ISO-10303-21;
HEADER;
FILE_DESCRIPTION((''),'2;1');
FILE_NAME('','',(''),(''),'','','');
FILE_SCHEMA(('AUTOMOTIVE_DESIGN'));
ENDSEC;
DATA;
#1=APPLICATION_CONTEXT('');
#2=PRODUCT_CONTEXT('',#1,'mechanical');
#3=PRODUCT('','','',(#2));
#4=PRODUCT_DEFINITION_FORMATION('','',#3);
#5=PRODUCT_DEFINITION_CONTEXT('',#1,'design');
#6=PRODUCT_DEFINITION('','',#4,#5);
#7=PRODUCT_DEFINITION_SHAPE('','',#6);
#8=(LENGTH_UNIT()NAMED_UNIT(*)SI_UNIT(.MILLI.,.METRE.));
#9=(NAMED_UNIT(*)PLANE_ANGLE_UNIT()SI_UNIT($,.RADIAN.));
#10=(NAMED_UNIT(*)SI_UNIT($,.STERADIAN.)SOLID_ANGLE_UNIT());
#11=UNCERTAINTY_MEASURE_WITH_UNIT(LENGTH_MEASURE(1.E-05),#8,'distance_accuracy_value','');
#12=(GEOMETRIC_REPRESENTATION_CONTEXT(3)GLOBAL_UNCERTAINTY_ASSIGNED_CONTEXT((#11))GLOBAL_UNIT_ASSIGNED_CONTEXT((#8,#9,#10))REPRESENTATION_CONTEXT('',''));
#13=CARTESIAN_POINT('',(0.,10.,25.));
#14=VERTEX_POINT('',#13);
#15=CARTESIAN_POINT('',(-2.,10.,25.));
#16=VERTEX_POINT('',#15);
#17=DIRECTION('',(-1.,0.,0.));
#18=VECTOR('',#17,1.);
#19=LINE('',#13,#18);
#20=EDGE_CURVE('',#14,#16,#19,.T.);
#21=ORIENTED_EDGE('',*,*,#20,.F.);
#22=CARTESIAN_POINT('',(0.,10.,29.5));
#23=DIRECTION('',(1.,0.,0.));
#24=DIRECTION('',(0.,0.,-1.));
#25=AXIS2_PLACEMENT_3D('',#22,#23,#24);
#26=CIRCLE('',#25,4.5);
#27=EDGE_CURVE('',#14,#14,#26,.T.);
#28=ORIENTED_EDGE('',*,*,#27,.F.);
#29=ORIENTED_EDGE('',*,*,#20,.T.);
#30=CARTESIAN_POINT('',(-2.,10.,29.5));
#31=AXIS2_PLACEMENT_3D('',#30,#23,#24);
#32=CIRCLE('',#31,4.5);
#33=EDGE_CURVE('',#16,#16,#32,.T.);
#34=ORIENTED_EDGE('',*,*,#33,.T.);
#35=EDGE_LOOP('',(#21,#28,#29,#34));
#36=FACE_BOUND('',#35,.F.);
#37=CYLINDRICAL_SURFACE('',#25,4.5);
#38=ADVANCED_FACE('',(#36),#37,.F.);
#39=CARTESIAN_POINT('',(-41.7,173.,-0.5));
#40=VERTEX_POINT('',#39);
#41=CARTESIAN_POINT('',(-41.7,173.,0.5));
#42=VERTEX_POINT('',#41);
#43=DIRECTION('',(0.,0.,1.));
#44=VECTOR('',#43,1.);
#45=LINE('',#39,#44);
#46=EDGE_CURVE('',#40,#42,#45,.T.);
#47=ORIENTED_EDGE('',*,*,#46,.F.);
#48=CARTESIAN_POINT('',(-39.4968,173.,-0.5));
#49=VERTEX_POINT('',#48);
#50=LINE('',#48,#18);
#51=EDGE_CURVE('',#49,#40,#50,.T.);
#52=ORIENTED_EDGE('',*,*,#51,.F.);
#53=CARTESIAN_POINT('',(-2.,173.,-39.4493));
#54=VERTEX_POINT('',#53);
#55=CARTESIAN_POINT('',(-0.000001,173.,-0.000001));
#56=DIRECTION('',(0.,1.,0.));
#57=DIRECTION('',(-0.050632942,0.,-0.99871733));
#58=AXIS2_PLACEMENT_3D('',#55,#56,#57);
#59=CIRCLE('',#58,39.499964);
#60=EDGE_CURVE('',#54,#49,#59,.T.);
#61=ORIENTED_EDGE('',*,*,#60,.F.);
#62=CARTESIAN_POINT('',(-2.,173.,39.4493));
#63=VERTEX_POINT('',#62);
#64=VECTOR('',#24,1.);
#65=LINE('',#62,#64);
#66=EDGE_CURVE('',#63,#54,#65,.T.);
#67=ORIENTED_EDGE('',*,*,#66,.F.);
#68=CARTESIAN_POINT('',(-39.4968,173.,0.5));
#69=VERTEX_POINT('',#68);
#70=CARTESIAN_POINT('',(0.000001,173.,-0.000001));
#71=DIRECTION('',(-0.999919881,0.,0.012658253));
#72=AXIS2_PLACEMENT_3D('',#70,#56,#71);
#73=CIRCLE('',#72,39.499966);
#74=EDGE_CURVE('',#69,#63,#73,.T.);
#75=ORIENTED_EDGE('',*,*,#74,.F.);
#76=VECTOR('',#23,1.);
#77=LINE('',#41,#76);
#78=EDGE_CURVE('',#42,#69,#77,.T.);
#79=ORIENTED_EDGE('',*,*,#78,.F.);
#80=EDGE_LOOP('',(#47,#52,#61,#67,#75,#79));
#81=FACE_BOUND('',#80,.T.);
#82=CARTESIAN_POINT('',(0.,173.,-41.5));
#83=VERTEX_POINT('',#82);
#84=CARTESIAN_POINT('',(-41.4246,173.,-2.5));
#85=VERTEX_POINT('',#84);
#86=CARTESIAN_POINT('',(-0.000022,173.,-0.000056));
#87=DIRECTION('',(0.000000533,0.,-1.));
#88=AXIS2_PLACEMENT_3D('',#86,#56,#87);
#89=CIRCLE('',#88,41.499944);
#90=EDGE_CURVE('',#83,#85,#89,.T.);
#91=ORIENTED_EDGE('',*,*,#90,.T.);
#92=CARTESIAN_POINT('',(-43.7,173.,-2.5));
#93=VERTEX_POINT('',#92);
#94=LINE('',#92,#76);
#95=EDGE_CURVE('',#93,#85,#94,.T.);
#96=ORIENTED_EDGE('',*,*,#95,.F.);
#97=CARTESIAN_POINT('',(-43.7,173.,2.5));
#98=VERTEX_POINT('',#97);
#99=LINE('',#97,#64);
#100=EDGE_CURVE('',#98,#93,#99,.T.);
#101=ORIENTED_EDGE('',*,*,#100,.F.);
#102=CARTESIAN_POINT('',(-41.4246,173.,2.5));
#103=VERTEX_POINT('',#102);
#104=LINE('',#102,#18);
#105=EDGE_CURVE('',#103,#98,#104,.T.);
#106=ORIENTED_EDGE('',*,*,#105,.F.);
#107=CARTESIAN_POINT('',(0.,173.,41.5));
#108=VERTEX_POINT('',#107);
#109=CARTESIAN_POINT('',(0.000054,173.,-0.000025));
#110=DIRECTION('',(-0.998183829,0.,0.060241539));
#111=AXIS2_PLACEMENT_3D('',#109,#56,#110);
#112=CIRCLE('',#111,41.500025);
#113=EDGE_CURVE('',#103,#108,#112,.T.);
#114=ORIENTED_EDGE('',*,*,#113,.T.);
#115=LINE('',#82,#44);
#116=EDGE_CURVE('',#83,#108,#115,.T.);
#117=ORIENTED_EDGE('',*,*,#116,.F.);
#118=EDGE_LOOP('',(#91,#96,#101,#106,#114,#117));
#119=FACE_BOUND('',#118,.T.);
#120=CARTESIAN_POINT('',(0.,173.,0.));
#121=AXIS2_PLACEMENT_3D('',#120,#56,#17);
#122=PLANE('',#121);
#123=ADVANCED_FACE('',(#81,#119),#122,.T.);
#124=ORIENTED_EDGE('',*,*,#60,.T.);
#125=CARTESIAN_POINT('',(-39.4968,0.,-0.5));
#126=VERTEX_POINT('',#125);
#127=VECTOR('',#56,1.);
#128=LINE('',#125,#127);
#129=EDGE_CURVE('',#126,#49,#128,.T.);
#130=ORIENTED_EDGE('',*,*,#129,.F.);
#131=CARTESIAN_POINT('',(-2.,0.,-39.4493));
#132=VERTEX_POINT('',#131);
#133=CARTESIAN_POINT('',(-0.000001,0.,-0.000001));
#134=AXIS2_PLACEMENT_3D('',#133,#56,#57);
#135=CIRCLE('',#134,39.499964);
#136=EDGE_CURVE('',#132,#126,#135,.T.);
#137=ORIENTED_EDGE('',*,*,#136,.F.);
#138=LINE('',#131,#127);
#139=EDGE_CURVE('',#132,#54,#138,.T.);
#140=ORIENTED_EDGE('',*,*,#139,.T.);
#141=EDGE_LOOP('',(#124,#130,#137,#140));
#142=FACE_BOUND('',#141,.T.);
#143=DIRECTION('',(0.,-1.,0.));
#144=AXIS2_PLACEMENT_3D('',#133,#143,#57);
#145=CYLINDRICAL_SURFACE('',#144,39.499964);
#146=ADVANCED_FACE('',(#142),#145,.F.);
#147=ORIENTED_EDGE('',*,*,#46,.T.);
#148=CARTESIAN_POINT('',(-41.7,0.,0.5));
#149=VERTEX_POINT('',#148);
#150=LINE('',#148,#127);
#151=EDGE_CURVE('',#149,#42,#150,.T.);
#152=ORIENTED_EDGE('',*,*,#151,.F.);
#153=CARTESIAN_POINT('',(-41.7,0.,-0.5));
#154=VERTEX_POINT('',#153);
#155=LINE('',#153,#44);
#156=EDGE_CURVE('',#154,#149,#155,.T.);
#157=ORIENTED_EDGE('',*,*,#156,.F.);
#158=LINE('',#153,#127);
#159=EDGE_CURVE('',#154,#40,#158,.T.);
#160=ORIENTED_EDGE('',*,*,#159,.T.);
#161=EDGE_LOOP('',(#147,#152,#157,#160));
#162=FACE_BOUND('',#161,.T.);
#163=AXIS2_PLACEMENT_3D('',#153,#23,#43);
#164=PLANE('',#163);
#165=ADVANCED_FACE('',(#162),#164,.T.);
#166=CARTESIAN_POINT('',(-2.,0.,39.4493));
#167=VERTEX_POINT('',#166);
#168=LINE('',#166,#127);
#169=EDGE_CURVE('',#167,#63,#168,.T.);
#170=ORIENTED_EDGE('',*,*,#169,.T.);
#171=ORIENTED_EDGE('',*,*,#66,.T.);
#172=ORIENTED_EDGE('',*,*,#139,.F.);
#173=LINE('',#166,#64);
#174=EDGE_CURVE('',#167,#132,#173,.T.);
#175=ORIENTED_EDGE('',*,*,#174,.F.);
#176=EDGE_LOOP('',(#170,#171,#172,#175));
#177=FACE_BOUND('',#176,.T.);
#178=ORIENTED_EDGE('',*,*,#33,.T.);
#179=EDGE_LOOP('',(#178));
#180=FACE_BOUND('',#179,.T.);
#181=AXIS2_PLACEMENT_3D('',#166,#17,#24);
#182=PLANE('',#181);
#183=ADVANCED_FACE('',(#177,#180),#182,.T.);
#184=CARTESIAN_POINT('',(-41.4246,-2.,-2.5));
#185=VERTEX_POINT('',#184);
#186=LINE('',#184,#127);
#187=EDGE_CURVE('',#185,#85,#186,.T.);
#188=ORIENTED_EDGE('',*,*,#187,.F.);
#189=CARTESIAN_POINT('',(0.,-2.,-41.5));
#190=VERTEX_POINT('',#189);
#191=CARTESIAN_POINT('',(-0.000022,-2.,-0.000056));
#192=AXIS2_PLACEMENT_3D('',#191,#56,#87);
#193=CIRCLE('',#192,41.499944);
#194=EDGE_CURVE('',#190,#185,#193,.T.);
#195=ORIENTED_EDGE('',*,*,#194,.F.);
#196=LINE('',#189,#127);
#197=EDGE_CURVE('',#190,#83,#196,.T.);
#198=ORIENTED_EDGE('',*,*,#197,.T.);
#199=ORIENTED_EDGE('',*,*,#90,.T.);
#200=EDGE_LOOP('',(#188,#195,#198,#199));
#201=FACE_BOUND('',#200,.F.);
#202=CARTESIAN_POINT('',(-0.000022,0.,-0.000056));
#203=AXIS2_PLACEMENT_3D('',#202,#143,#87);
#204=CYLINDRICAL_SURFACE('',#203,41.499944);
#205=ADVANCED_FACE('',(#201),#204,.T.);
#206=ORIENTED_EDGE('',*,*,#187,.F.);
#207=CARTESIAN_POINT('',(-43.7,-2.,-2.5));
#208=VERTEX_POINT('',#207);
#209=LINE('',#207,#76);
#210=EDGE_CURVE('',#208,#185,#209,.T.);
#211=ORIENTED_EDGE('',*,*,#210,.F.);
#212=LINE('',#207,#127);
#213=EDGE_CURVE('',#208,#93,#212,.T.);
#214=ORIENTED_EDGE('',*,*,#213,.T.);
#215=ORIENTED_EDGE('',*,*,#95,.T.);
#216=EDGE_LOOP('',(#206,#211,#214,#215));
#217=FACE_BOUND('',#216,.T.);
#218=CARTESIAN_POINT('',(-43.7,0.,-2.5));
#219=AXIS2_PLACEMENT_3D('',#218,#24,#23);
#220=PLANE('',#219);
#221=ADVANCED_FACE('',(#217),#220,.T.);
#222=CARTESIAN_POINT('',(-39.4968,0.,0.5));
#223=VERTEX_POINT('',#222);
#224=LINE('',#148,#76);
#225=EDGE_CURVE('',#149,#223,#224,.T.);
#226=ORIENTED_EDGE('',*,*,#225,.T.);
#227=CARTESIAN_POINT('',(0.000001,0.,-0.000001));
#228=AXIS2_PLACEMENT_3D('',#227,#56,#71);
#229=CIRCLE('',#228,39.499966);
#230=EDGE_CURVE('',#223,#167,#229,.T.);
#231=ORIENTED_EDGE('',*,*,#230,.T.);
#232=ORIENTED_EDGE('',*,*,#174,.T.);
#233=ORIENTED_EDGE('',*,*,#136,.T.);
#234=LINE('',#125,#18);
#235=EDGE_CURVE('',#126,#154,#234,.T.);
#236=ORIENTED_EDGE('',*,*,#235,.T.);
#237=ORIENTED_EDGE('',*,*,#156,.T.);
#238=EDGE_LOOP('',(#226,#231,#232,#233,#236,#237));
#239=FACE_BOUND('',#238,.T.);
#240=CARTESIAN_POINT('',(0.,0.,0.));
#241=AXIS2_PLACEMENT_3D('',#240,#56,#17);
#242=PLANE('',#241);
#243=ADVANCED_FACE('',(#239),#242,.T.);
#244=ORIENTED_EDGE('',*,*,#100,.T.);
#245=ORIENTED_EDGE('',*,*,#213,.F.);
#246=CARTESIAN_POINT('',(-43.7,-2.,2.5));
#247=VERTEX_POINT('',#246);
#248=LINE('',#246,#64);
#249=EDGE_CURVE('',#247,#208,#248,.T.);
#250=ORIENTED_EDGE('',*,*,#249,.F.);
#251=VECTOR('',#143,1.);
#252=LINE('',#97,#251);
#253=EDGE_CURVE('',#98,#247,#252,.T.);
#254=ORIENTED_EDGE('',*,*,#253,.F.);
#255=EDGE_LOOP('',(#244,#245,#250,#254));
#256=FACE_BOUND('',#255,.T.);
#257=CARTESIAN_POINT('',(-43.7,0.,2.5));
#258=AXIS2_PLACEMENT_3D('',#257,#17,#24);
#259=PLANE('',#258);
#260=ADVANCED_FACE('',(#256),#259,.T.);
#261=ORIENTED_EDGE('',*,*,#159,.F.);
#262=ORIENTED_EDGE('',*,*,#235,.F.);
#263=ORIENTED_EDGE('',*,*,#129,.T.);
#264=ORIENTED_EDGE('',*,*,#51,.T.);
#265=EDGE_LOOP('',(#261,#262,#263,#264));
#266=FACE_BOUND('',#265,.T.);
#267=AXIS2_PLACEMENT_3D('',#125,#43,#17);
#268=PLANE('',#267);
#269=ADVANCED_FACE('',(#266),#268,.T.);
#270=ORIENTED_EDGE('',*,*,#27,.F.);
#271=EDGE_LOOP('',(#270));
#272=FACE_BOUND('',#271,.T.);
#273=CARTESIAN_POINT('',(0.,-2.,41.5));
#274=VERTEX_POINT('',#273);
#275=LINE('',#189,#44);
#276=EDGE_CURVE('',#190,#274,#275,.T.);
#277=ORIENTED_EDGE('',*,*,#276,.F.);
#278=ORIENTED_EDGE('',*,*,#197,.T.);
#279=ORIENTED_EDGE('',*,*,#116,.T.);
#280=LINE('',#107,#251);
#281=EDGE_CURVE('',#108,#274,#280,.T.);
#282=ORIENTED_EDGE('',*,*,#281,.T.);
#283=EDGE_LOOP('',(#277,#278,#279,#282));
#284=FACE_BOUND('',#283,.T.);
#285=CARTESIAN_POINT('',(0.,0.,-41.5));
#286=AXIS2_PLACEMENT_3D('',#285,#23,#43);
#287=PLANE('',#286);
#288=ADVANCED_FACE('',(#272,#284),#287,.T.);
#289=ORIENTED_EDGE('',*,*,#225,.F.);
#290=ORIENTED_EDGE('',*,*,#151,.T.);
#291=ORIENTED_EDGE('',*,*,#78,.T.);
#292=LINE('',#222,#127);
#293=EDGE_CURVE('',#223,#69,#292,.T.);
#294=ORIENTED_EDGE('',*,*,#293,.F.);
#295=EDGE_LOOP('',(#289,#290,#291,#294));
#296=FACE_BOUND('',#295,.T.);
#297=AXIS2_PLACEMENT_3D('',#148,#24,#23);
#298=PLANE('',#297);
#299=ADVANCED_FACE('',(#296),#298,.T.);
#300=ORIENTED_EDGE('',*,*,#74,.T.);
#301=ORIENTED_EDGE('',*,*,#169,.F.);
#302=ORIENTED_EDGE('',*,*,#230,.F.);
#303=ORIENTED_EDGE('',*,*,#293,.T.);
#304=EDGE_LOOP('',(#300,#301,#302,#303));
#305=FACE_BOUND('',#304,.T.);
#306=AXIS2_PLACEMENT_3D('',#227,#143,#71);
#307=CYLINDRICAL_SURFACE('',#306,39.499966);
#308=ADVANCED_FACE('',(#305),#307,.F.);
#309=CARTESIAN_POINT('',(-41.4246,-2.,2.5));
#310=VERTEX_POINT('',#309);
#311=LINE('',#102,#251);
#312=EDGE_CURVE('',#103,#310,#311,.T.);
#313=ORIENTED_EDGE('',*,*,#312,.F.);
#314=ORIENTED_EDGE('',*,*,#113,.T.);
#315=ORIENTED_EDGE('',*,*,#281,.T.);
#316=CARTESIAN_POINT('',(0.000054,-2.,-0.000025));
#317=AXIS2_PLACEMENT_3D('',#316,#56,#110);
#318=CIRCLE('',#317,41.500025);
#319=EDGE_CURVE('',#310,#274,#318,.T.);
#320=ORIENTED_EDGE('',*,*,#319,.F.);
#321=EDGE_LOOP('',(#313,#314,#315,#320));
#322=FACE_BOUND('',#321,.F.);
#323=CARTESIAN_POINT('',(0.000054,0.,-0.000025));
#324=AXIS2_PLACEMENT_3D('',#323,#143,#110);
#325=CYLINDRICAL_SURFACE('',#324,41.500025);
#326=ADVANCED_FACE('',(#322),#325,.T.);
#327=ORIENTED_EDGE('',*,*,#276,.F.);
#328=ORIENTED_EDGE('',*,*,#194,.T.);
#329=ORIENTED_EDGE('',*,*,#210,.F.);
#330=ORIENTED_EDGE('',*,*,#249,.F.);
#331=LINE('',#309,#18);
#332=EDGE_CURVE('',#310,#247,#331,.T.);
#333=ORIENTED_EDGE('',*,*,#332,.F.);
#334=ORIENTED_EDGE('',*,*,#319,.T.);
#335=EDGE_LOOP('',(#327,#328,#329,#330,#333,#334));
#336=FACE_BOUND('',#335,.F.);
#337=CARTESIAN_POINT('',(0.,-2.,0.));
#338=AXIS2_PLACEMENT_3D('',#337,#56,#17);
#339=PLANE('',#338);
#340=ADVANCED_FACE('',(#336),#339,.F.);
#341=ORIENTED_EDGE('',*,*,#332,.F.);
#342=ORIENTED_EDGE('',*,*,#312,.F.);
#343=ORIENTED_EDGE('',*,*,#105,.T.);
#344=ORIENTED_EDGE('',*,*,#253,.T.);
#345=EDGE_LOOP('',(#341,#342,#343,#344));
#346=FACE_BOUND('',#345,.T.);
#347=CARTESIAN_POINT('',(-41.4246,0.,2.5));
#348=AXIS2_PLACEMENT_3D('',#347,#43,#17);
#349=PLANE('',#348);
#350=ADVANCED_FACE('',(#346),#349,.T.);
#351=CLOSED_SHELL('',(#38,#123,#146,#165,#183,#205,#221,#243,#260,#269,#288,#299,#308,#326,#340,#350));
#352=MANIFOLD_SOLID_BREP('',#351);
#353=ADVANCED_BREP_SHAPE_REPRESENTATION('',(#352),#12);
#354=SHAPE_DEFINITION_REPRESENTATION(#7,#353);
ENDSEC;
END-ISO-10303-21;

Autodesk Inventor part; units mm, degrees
ref_plane "YZ Plane" through (0, 0, 0) normal (1, 0, 0) x (0, 1, 0)
ref_plane "XZ Plane" through (0, 0, 0) normal (0, 1, 0) x (-1, 0, 0)
ref_plane "XY Plane" through (0, 0, 0) normal (0, 0, 1) x (1, 0, 0)
sketch "Sketch1" plane through (0, 0, 0) normal (0, 1, 0) x (-1, 0, 0)
  arc A0 (41.4246, 2.5) -> (41.4246, -2.5) centre (0, 0) ccw construction
  line L0 (0, -41.5) -> (0, 41.5)
  line L1 (0, 0) -> (41.5, 0) construction
  line L2 (41.4246, 2.5) -> (43.7, 2.5)
  line L3 (43.7, 2.5) -> (43.7, -2.5)
  line L4 (43.7, -2.5) -> (41.4246, -2.5)
  line L5 (39.3, 2.5) -> (43.7, -2.5) construction
  line L6 (43.7, 2.5) -> (39.3, -2.5) construction
  arc A1 (0, -41.5) -> (41.4246, -2.5) centre (0, 0) ccw
  arc A2 (41.4246, 2.5) -> (0, 41.5) centre (0, 0) ccw
  line L7 (41.4246, -2.5) -> (41.4246, 2.5) construction
  line L8 (2, 39.4493) -> (2, -39.4493)
  arc A3 (2, -39.4493) -> (39.4968, -0.5) centre (0, 0) ccw
  line L9 (39.4968, -0.5) -> (41.7, -0.5)
  line L10 (41.7, -0.5) -> (41.7, 0.5)
  line L11 (41.7, 0.5) -> (39.4968, 0.5)
  arc A4 (39.4968, 0.5) -> (2, 39.4493) centre (0, 0) ccw
  dimension "d0" = 83
  dimension "d1" = 83
  dimension "d2" = 5
  dimension "d4" = 2.2
  dimension "d5" = 41.5
  dimension "d6" = 2
extrude "Extrusion1" add sketch "Sketch1" against normal blind 2 contours L0 A2 L2 L3 L4 A1 | A4 L11 L10 L9 A3 L8
extrude "Extrusion2" add sketch "Sketch1" along normal blind 173
sketch "Sketch2" plane through (0, -2, 41.5) normal (1, 0, 0) x (0, 0, -1)
  circle A0 centre (12, 12) radius 4.5
  line L0 (83, 0) -> (0, 0) projected
  line L1 (0, 0) -> (0, 175) projected
  point P0 (41.5, 2)
  dimension "d11" = 9
  dimension "d12" = 12
  dimension "d13" = 12
extrude "Extrusion3" cut sketch "Sketch2" against normal blind 10
properties part number "_3DPrint"
